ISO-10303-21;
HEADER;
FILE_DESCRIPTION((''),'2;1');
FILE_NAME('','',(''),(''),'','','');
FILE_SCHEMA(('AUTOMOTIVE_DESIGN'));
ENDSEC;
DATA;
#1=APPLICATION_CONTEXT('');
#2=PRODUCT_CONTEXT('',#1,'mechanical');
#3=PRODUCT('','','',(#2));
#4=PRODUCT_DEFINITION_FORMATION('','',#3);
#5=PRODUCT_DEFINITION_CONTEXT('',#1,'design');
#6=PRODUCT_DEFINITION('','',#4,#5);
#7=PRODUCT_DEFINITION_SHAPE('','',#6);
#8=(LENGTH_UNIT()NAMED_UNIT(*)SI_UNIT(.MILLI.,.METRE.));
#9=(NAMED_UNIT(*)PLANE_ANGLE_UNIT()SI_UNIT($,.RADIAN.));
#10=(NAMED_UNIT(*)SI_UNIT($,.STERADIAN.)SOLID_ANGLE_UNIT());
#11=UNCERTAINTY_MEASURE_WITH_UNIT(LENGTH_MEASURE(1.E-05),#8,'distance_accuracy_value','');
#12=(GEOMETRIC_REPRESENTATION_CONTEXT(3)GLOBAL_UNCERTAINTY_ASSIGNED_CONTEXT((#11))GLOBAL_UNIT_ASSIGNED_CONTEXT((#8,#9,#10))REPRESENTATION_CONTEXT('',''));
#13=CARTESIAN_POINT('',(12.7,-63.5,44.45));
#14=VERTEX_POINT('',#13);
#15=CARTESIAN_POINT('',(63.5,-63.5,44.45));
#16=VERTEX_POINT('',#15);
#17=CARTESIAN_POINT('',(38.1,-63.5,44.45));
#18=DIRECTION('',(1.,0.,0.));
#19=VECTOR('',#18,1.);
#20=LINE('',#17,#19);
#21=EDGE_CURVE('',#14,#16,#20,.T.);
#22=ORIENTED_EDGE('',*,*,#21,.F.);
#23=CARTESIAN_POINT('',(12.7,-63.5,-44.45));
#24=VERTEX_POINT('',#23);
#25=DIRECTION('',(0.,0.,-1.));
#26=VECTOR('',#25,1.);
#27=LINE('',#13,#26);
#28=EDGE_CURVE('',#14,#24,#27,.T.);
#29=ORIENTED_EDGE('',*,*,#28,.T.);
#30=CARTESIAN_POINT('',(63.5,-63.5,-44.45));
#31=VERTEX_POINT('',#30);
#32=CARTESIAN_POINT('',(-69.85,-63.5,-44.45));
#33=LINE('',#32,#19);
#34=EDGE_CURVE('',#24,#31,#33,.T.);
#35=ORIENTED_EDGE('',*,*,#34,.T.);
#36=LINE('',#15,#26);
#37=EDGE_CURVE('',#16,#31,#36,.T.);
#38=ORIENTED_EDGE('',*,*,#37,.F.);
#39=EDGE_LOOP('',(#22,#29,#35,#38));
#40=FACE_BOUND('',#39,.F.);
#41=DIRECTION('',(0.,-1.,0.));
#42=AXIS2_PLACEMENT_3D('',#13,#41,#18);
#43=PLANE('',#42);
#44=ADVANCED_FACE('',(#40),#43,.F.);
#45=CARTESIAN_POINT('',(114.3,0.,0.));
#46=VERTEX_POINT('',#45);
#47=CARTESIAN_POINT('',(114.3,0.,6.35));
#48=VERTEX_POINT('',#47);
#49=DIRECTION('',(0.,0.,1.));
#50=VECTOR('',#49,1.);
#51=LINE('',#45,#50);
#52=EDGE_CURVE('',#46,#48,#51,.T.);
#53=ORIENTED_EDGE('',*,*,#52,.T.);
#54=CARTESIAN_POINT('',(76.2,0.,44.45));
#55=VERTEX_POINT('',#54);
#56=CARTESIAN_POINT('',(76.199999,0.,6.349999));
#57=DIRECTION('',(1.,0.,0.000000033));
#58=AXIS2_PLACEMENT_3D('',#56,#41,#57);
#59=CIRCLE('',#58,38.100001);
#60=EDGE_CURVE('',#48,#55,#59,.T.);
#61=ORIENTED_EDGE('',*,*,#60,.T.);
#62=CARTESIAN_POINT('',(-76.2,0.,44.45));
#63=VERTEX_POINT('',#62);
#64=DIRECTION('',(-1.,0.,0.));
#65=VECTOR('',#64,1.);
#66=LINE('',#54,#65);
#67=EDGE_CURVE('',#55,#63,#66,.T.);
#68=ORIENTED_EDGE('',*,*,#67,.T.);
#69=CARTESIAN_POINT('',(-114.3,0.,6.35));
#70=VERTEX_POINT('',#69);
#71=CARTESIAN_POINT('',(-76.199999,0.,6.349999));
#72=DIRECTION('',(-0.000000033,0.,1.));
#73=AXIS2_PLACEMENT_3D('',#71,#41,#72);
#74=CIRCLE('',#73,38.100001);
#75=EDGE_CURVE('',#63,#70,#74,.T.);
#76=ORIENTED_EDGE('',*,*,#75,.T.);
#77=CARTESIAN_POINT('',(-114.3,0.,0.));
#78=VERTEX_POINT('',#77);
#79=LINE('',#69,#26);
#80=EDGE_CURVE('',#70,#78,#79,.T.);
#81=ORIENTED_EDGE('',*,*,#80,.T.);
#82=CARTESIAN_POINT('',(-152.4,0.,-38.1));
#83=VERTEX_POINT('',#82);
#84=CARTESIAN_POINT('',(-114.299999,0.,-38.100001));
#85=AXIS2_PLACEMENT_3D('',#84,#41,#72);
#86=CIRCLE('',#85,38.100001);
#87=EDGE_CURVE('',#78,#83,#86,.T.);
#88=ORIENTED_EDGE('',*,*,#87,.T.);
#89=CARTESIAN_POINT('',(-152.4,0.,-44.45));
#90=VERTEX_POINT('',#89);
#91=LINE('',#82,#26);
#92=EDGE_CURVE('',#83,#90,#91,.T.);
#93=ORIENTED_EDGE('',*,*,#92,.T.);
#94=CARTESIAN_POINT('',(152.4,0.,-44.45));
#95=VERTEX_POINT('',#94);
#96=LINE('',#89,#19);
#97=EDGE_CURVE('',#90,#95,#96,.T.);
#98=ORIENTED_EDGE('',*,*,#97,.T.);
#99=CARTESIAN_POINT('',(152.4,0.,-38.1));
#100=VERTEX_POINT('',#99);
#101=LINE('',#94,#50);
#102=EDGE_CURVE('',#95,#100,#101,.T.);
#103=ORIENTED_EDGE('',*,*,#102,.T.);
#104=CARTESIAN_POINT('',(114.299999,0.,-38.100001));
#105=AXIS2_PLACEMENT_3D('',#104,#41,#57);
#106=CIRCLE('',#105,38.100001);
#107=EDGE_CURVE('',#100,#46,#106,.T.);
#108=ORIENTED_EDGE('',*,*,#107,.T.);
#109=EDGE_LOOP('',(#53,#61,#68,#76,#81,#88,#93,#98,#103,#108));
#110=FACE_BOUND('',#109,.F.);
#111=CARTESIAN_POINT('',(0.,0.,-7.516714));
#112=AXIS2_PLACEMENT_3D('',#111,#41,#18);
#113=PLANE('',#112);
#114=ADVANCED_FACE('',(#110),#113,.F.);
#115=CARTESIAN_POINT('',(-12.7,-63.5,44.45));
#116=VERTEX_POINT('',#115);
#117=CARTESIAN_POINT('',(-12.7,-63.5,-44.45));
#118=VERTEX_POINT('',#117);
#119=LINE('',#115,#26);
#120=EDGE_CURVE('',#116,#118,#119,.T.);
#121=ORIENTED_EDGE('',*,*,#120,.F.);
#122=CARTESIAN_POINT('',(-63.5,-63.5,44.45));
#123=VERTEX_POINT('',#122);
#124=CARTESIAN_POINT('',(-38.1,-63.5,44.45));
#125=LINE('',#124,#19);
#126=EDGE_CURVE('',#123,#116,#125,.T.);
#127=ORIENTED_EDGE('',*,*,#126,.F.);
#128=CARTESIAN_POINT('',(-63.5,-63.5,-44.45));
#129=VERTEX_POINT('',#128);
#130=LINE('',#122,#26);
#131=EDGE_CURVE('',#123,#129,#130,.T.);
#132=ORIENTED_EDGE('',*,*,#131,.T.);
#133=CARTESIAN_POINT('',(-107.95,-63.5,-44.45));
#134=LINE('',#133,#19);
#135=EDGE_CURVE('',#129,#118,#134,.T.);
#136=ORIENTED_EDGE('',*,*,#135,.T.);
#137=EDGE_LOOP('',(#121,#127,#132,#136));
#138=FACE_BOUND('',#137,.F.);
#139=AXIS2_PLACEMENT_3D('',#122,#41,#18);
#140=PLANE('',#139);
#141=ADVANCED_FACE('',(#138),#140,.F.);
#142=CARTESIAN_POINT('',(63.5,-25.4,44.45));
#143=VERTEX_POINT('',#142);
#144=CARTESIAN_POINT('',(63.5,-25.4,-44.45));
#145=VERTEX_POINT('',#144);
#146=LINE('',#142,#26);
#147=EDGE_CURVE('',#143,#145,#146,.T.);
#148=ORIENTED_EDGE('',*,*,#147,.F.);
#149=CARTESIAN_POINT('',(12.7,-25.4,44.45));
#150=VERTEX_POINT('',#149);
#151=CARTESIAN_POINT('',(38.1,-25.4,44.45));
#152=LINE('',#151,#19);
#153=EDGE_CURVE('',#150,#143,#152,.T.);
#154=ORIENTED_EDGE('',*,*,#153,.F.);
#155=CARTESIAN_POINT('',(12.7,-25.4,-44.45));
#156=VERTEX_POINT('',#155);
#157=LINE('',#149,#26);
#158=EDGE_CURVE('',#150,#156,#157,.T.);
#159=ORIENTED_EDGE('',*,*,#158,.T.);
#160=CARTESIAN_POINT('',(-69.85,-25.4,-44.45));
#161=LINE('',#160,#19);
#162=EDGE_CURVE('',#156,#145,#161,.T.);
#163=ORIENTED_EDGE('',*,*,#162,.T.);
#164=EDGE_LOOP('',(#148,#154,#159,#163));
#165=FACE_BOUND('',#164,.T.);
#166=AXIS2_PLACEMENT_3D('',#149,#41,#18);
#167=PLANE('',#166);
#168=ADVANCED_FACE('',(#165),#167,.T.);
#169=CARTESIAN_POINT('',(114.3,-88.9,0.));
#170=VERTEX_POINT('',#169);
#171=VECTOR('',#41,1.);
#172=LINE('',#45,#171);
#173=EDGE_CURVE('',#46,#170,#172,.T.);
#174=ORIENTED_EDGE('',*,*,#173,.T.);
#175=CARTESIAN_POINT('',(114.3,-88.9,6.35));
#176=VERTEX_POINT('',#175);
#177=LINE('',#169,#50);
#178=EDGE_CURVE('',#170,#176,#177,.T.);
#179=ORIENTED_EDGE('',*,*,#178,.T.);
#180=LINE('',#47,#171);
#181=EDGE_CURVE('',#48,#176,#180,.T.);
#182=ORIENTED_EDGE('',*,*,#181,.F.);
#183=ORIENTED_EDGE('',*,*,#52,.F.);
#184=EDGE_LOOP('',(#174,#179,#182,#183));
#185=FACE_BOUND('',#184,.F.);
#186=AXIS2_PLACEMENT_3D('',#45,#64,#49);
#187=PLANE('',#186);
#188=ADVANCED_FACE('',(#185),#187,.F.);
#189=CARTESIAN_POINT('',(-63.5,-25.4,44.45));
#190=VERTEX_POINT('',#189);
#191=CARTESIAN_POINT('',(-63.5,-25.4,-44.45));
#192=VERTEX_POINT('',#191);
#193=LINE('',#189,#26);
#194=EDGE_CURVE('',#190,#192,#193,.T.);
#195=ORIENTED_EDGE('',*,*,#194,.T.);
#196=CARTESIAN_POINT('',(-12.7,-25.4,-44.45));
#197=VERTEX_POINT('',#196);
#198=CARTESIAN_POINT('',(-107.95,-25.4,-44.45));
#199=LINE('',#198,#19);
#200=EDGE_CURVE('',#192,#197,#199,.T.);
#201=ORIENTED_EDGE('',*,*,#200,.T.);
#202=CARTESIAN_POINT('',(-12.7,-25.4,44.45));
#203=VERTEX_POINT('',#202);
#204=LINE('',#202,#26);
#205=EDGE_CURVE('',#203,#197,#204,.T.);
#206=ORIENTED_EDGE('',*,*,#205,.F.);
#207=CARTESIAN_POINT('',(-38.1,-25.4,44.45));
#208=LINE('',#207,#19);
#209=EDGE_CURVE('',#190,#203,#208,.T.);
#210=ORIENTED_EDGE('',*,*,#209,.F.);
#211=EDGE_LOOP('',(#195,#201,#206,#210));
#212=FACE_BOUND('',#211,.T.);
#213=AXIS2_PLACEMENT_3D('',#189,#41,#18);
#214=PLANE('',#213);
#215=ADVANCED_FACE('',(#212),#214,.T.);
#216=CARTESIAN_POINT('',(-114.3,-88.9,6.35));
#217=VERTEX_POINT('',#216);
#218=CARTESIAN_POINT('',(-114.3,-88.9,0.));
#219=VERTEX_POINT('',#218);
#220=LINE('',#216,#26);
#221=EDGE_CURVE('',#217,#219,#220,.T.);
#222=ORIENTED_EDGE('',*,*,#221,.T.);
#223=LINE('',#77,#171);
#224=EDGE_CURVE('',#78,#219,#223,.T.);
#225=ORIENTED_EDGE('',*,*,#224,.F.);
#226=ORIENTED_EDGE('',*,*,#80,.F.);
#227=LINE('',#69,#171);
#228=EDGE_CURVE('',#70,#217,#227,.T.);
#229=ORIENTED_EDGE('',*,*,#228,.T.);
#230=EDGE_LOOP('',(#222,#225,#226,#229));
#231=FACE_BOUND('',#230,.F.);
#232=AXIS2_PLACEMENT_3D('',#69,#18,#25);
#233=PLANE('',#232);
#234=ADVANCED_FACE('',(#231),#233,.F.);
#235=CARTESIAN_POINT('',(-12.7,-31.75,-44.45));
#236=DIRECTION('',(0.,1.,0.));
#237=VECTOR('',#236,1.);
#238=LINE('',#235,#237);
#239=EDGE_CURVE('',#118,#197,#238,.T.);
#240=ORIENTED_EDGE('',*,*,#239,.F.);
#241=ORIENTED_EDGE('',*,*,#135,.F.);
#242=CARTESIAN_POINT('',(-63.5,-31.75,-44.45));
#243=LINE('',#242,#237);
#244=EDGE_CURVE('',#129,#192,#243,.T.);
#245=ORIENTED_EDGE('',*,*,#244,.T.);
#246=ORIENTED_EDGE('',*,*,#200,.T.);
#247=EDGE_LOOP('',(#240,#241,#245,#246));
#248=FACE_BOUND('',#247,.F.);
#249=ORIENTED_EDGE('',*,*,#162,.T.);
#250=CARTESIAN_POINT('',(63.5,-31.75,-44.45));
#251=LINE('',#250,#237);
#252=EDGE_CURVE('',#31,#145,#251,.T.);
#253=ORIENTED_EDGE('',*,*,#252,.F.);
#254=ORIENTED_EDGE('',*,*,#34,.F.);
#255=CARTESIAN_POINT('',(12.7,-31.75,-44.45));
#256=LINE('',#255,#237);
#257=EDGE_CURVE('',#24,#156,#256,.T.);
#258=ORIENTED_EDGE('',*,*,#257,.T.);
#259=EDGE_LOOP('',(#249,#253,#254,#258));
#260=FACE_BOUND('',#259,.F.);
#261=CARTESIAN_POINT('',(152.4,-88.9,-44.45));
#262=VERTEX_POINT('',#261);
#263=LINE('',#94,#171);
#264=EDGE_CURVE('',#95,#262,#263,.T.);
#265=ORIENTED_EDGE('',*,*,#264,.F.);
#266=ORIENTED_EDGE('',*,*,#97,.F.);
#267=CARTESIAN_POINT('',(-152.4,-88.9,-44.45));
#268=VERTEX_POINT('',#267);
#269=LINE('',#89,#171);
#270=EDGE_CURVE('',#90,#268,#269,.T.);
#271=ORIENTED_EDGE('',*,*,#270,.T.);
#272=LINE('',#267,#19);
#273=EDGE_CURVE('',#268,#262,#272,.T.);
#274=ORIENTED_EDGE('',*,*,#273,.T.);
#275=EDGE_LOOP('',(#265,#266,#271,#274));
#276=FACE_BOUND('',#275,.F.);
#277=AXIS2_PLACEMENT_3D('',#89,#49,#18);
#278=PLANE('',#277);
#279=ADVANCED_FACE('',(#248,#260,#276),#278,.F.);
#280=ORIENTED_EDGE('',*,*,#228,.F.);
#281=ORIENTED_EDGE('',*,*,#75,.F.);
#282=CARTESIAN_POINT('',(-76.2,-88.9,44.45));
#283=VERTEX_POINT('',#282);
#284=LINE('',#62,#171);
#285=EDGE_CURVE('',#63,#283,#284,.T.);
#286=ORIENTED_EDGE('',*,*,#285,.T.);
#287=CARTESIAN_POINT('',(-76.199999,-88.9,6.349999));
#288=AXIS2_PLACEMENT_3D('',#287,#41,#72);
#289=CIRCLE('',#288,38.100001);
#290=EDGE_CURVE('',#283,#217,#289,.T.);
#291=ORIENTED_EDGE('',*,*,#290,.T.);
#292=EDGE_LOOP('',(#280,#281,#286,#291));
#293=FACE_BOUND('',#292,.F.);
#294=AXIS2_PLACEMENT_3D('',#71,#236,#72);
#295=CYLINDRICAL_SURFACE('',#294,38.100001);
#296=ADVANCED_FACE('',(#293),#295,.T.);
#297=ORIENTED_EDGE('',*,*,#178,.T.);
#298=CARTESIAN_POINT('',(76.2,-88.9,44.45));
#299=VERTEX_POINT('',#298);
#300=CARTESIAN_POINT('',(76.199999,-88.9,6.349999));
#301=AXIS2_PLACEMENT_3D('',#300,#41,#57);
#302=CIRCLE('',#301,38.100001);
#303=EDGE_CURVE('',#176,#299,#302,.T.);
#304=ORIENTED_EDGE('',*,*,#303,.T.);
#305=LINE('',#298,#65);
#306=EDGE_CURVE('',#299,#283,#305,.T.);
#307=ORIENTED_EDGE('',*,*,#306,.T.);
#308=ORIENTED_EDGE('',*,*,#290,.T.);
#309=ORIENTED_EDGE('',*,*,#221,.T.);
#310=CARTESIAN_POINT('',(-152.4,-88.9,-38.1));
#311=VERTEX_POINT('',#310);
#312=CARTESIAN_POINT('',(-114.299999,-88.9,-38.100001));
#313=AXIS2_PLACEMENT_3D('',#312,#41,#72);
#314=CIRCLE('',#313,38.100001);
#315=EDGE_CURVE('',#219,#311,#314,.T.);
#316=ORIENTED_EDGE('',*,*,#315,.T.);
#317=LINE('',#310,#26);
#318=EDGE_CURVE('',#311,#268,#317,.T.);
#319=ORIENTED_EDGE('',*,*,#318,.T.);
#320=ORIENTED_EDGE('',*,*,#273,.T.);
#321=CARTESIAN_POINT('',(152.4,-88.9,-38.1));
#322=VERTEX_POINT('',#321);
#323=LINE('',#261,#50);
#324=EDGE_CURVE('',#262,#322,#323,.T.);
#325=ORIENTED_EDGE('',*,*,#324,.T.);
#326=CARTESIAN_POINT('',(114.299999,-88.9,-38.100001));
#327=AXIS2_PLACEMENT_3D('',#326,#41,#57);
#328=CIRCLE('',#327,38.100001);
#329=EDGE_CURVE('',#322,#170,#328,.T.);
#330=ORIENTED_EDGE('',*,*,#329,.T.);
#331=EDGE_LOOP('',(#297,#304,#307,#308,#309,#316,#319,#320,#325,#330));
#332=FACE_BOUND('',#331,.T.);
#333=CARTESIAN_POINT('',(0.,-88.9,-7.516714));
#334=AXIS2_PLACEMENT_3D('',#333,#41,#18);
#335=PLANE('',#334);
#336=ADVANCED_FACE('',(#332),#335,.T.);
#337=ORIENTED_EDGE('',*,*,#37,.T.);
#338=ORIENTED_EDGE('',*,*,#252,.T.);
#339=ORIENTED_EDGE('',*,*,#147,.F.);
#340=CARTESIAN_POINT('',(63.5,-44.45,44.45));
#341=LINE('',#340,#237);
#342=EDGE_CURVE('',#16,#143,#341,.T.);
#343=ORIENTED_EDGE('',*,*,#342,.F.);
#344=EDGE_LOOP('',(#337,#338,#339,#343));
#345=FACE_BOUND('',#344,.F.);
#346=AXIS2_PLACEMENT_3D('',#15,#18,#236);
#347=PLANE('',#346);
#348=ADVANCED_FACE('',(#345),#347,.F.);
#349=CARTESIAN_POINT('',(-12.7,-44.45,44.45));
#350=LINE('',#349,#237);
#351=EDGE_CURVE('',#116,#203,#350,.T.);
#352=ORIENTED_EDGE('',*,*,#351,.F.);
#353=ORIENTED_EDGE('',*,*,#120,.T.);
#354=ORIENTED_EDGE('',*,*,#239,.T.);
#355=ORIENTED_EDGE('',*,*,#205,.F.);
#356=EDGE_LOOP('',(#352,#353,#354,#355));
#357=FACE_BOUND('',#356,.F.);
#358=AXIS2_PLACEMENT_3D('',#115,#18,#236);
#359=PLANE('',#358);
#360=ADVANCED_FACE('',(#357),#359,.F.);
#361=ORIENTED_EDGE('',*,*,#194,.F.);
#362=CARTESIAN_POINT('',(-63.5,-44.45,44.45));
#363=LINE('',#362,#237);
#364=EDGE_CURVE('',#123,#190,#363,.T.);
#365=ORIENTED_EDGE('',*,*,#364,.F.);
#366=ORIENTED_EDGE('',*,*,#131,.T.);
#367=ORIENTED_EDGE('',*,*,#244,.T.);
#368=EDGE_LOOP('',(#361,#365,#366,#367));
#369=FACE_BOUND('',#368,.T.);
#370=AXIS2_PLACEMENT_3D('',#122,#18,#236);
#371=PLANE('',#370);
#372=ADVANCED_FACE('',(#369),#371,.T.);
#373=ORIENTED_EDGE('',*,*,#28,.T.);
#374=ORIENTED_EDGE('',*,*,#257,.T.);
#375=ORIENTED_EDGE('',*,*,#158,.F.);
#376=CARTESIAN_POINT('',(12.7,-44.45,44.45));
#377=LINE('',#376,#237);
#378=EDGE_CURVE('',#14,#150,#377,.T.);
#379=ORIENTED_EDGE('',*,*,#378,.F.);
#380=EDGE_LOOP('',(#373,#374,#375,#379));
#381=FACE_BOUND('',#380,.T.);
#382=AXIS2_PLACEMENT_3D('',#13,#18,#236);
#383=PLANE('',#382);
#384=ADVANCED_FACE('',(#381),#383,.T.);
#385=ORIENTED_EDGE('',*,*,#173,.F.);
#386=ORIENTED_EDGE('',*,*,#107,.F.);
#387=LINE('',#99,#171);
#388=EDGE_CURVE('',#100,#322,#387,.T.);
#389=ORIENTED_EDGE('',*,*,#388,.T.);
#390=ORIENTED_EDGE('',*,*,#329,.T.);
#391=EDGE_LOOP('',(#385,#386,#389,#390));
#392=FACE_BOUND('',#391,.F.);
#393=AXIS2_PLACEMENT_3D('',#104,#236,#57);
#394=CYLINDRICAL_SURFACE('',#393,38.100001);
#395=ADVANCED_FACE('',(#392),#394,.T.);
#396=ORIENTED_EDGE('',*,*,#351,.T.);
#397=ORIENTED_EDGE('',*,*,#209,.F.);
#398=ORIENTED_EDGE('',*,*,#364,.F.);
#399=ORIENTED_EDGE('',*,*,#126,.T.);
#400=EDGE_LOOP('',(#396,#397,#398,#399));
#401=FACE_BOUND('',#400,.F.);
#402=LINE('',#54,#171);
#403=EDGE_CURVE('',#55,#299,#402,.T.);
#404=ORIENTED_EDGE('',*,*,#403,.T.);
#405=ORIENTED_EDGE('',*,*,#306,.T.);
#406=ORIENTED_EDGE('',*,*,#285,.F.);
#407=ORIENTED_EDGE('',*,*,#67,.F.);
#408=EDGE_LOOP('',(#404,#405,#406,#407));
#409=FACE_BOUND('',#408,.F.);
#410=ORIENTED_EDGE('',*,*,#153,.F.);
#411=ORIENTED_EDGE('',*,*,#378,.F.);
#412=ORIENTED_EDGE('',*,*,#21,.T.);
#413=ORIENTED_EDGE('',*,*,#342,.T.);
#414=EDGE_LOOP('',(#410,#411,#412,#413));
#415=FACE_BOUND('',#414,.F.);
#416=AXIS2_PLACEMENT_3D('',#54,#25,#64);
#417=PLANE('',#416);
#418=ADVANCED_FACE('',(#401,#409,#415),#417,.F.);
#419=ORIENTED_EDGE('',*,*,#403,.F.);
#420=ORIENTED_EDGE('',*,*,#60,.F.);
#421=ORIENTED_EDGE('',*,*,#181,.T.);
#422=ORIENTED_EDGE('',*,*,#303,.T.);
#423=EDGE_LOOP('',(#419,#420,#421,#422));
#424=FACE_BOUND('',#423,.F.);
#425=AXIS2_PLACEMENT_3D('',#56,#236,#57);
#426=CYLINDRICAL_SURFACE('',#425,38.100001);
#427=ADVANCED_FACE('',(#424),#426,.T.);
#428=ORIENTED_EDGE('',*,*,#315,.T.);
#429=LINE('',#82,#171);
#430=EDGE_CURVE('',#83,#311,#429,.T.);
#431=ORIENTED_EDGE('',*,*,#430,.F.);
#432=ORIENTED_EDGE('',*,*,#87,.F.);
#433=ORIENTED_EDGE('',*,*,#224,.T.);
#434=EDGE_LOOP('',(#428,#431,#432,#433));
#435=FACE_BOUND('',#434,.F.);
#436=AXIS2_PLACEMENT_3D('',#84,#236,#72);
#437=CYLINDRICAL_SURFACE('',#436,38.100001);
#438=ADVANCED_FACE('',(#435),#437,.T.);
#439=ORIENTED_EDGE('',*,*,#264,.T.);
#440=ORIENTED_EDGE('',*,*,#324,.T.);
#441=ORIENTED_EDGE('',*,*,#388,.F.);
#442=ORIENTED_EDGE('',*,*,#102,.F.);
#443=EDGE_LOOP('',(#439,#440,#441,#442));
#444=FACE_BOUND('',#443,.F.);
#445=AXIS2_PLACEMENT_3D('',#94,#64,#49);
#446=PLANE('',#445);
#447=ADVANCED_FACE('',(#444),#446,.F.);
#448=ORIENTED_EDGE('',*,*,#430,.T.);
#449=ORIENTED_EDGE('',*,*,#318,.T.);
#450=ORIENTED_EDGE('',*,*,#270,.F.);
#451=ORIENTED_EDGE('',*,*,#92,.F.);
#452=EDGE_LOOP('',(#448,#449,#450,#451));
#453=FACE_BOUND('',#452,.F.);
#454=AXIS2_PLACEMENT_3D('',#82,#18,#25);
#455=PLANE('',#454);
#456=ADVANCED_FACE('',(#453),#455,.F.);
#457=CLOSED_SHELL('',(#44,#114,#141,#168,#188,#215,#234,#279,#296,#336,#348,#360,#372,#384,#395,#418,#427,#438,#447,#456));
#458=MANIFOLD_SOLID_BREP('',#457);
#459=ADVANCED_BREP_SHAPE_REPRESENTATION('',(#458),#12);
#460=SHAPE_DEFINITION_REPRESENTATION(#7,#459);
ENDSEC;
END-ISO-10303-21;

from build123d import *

# Parameters (mm, degrees)
F1_DEPTH = 88.9
F2_W     = 50.8
F2_H     = 38.1
F3_DEPTH = 88.901


with BuildPart() as f1:
    # F0 (on Front) → F1 (new body)
    with BuildSketch(Plane.XZ):
        with BuildLine():
            Line((-152.4, -44.45), (152.4, -44.45))
            Line((152.4, -44.45), (152.4, -38.1))
            ThreePointArc((152.4, -38.1), (141.240768, -11.159232), (114.3, 0))
            Line((114.3, 0), (114.3, 6.35))
            ThreePointArc((114.3, 6.35), (103.140768, 33.290768), (76.2, 44.45))
            Line((76.2, 44.45), (-76.2, 44.45))
            ThreePointArc((-76.2, 44.45), (-103.140768, 33.290768), (-114.3, 6.35))
            Line((-114.3, 6.35), (-114.3, 0))
            ThreePointArc((-114.3, 0), (-141.240768, -11.159232), (-152.4, -38.1))
            Line((-152.4, -38.1), (-152.4, -44.45))
        make_face()
    extrude(amount=F1_DEPTH)

    # F2 (on face) → F3 (cut, through all)
    with BuildSketch(Plane.XY.offset(44.45)):
        with Locations((-38.1, -44.45)):
            Rectangle(F2_W, F2_H)
        with Locations((38.1, -44.45)):
            Rectangle(F2_W, F2_H)
    extrude(amount=-F3_DEPTH, mode=Mode.SUBTRACT)


solid = f1.part
